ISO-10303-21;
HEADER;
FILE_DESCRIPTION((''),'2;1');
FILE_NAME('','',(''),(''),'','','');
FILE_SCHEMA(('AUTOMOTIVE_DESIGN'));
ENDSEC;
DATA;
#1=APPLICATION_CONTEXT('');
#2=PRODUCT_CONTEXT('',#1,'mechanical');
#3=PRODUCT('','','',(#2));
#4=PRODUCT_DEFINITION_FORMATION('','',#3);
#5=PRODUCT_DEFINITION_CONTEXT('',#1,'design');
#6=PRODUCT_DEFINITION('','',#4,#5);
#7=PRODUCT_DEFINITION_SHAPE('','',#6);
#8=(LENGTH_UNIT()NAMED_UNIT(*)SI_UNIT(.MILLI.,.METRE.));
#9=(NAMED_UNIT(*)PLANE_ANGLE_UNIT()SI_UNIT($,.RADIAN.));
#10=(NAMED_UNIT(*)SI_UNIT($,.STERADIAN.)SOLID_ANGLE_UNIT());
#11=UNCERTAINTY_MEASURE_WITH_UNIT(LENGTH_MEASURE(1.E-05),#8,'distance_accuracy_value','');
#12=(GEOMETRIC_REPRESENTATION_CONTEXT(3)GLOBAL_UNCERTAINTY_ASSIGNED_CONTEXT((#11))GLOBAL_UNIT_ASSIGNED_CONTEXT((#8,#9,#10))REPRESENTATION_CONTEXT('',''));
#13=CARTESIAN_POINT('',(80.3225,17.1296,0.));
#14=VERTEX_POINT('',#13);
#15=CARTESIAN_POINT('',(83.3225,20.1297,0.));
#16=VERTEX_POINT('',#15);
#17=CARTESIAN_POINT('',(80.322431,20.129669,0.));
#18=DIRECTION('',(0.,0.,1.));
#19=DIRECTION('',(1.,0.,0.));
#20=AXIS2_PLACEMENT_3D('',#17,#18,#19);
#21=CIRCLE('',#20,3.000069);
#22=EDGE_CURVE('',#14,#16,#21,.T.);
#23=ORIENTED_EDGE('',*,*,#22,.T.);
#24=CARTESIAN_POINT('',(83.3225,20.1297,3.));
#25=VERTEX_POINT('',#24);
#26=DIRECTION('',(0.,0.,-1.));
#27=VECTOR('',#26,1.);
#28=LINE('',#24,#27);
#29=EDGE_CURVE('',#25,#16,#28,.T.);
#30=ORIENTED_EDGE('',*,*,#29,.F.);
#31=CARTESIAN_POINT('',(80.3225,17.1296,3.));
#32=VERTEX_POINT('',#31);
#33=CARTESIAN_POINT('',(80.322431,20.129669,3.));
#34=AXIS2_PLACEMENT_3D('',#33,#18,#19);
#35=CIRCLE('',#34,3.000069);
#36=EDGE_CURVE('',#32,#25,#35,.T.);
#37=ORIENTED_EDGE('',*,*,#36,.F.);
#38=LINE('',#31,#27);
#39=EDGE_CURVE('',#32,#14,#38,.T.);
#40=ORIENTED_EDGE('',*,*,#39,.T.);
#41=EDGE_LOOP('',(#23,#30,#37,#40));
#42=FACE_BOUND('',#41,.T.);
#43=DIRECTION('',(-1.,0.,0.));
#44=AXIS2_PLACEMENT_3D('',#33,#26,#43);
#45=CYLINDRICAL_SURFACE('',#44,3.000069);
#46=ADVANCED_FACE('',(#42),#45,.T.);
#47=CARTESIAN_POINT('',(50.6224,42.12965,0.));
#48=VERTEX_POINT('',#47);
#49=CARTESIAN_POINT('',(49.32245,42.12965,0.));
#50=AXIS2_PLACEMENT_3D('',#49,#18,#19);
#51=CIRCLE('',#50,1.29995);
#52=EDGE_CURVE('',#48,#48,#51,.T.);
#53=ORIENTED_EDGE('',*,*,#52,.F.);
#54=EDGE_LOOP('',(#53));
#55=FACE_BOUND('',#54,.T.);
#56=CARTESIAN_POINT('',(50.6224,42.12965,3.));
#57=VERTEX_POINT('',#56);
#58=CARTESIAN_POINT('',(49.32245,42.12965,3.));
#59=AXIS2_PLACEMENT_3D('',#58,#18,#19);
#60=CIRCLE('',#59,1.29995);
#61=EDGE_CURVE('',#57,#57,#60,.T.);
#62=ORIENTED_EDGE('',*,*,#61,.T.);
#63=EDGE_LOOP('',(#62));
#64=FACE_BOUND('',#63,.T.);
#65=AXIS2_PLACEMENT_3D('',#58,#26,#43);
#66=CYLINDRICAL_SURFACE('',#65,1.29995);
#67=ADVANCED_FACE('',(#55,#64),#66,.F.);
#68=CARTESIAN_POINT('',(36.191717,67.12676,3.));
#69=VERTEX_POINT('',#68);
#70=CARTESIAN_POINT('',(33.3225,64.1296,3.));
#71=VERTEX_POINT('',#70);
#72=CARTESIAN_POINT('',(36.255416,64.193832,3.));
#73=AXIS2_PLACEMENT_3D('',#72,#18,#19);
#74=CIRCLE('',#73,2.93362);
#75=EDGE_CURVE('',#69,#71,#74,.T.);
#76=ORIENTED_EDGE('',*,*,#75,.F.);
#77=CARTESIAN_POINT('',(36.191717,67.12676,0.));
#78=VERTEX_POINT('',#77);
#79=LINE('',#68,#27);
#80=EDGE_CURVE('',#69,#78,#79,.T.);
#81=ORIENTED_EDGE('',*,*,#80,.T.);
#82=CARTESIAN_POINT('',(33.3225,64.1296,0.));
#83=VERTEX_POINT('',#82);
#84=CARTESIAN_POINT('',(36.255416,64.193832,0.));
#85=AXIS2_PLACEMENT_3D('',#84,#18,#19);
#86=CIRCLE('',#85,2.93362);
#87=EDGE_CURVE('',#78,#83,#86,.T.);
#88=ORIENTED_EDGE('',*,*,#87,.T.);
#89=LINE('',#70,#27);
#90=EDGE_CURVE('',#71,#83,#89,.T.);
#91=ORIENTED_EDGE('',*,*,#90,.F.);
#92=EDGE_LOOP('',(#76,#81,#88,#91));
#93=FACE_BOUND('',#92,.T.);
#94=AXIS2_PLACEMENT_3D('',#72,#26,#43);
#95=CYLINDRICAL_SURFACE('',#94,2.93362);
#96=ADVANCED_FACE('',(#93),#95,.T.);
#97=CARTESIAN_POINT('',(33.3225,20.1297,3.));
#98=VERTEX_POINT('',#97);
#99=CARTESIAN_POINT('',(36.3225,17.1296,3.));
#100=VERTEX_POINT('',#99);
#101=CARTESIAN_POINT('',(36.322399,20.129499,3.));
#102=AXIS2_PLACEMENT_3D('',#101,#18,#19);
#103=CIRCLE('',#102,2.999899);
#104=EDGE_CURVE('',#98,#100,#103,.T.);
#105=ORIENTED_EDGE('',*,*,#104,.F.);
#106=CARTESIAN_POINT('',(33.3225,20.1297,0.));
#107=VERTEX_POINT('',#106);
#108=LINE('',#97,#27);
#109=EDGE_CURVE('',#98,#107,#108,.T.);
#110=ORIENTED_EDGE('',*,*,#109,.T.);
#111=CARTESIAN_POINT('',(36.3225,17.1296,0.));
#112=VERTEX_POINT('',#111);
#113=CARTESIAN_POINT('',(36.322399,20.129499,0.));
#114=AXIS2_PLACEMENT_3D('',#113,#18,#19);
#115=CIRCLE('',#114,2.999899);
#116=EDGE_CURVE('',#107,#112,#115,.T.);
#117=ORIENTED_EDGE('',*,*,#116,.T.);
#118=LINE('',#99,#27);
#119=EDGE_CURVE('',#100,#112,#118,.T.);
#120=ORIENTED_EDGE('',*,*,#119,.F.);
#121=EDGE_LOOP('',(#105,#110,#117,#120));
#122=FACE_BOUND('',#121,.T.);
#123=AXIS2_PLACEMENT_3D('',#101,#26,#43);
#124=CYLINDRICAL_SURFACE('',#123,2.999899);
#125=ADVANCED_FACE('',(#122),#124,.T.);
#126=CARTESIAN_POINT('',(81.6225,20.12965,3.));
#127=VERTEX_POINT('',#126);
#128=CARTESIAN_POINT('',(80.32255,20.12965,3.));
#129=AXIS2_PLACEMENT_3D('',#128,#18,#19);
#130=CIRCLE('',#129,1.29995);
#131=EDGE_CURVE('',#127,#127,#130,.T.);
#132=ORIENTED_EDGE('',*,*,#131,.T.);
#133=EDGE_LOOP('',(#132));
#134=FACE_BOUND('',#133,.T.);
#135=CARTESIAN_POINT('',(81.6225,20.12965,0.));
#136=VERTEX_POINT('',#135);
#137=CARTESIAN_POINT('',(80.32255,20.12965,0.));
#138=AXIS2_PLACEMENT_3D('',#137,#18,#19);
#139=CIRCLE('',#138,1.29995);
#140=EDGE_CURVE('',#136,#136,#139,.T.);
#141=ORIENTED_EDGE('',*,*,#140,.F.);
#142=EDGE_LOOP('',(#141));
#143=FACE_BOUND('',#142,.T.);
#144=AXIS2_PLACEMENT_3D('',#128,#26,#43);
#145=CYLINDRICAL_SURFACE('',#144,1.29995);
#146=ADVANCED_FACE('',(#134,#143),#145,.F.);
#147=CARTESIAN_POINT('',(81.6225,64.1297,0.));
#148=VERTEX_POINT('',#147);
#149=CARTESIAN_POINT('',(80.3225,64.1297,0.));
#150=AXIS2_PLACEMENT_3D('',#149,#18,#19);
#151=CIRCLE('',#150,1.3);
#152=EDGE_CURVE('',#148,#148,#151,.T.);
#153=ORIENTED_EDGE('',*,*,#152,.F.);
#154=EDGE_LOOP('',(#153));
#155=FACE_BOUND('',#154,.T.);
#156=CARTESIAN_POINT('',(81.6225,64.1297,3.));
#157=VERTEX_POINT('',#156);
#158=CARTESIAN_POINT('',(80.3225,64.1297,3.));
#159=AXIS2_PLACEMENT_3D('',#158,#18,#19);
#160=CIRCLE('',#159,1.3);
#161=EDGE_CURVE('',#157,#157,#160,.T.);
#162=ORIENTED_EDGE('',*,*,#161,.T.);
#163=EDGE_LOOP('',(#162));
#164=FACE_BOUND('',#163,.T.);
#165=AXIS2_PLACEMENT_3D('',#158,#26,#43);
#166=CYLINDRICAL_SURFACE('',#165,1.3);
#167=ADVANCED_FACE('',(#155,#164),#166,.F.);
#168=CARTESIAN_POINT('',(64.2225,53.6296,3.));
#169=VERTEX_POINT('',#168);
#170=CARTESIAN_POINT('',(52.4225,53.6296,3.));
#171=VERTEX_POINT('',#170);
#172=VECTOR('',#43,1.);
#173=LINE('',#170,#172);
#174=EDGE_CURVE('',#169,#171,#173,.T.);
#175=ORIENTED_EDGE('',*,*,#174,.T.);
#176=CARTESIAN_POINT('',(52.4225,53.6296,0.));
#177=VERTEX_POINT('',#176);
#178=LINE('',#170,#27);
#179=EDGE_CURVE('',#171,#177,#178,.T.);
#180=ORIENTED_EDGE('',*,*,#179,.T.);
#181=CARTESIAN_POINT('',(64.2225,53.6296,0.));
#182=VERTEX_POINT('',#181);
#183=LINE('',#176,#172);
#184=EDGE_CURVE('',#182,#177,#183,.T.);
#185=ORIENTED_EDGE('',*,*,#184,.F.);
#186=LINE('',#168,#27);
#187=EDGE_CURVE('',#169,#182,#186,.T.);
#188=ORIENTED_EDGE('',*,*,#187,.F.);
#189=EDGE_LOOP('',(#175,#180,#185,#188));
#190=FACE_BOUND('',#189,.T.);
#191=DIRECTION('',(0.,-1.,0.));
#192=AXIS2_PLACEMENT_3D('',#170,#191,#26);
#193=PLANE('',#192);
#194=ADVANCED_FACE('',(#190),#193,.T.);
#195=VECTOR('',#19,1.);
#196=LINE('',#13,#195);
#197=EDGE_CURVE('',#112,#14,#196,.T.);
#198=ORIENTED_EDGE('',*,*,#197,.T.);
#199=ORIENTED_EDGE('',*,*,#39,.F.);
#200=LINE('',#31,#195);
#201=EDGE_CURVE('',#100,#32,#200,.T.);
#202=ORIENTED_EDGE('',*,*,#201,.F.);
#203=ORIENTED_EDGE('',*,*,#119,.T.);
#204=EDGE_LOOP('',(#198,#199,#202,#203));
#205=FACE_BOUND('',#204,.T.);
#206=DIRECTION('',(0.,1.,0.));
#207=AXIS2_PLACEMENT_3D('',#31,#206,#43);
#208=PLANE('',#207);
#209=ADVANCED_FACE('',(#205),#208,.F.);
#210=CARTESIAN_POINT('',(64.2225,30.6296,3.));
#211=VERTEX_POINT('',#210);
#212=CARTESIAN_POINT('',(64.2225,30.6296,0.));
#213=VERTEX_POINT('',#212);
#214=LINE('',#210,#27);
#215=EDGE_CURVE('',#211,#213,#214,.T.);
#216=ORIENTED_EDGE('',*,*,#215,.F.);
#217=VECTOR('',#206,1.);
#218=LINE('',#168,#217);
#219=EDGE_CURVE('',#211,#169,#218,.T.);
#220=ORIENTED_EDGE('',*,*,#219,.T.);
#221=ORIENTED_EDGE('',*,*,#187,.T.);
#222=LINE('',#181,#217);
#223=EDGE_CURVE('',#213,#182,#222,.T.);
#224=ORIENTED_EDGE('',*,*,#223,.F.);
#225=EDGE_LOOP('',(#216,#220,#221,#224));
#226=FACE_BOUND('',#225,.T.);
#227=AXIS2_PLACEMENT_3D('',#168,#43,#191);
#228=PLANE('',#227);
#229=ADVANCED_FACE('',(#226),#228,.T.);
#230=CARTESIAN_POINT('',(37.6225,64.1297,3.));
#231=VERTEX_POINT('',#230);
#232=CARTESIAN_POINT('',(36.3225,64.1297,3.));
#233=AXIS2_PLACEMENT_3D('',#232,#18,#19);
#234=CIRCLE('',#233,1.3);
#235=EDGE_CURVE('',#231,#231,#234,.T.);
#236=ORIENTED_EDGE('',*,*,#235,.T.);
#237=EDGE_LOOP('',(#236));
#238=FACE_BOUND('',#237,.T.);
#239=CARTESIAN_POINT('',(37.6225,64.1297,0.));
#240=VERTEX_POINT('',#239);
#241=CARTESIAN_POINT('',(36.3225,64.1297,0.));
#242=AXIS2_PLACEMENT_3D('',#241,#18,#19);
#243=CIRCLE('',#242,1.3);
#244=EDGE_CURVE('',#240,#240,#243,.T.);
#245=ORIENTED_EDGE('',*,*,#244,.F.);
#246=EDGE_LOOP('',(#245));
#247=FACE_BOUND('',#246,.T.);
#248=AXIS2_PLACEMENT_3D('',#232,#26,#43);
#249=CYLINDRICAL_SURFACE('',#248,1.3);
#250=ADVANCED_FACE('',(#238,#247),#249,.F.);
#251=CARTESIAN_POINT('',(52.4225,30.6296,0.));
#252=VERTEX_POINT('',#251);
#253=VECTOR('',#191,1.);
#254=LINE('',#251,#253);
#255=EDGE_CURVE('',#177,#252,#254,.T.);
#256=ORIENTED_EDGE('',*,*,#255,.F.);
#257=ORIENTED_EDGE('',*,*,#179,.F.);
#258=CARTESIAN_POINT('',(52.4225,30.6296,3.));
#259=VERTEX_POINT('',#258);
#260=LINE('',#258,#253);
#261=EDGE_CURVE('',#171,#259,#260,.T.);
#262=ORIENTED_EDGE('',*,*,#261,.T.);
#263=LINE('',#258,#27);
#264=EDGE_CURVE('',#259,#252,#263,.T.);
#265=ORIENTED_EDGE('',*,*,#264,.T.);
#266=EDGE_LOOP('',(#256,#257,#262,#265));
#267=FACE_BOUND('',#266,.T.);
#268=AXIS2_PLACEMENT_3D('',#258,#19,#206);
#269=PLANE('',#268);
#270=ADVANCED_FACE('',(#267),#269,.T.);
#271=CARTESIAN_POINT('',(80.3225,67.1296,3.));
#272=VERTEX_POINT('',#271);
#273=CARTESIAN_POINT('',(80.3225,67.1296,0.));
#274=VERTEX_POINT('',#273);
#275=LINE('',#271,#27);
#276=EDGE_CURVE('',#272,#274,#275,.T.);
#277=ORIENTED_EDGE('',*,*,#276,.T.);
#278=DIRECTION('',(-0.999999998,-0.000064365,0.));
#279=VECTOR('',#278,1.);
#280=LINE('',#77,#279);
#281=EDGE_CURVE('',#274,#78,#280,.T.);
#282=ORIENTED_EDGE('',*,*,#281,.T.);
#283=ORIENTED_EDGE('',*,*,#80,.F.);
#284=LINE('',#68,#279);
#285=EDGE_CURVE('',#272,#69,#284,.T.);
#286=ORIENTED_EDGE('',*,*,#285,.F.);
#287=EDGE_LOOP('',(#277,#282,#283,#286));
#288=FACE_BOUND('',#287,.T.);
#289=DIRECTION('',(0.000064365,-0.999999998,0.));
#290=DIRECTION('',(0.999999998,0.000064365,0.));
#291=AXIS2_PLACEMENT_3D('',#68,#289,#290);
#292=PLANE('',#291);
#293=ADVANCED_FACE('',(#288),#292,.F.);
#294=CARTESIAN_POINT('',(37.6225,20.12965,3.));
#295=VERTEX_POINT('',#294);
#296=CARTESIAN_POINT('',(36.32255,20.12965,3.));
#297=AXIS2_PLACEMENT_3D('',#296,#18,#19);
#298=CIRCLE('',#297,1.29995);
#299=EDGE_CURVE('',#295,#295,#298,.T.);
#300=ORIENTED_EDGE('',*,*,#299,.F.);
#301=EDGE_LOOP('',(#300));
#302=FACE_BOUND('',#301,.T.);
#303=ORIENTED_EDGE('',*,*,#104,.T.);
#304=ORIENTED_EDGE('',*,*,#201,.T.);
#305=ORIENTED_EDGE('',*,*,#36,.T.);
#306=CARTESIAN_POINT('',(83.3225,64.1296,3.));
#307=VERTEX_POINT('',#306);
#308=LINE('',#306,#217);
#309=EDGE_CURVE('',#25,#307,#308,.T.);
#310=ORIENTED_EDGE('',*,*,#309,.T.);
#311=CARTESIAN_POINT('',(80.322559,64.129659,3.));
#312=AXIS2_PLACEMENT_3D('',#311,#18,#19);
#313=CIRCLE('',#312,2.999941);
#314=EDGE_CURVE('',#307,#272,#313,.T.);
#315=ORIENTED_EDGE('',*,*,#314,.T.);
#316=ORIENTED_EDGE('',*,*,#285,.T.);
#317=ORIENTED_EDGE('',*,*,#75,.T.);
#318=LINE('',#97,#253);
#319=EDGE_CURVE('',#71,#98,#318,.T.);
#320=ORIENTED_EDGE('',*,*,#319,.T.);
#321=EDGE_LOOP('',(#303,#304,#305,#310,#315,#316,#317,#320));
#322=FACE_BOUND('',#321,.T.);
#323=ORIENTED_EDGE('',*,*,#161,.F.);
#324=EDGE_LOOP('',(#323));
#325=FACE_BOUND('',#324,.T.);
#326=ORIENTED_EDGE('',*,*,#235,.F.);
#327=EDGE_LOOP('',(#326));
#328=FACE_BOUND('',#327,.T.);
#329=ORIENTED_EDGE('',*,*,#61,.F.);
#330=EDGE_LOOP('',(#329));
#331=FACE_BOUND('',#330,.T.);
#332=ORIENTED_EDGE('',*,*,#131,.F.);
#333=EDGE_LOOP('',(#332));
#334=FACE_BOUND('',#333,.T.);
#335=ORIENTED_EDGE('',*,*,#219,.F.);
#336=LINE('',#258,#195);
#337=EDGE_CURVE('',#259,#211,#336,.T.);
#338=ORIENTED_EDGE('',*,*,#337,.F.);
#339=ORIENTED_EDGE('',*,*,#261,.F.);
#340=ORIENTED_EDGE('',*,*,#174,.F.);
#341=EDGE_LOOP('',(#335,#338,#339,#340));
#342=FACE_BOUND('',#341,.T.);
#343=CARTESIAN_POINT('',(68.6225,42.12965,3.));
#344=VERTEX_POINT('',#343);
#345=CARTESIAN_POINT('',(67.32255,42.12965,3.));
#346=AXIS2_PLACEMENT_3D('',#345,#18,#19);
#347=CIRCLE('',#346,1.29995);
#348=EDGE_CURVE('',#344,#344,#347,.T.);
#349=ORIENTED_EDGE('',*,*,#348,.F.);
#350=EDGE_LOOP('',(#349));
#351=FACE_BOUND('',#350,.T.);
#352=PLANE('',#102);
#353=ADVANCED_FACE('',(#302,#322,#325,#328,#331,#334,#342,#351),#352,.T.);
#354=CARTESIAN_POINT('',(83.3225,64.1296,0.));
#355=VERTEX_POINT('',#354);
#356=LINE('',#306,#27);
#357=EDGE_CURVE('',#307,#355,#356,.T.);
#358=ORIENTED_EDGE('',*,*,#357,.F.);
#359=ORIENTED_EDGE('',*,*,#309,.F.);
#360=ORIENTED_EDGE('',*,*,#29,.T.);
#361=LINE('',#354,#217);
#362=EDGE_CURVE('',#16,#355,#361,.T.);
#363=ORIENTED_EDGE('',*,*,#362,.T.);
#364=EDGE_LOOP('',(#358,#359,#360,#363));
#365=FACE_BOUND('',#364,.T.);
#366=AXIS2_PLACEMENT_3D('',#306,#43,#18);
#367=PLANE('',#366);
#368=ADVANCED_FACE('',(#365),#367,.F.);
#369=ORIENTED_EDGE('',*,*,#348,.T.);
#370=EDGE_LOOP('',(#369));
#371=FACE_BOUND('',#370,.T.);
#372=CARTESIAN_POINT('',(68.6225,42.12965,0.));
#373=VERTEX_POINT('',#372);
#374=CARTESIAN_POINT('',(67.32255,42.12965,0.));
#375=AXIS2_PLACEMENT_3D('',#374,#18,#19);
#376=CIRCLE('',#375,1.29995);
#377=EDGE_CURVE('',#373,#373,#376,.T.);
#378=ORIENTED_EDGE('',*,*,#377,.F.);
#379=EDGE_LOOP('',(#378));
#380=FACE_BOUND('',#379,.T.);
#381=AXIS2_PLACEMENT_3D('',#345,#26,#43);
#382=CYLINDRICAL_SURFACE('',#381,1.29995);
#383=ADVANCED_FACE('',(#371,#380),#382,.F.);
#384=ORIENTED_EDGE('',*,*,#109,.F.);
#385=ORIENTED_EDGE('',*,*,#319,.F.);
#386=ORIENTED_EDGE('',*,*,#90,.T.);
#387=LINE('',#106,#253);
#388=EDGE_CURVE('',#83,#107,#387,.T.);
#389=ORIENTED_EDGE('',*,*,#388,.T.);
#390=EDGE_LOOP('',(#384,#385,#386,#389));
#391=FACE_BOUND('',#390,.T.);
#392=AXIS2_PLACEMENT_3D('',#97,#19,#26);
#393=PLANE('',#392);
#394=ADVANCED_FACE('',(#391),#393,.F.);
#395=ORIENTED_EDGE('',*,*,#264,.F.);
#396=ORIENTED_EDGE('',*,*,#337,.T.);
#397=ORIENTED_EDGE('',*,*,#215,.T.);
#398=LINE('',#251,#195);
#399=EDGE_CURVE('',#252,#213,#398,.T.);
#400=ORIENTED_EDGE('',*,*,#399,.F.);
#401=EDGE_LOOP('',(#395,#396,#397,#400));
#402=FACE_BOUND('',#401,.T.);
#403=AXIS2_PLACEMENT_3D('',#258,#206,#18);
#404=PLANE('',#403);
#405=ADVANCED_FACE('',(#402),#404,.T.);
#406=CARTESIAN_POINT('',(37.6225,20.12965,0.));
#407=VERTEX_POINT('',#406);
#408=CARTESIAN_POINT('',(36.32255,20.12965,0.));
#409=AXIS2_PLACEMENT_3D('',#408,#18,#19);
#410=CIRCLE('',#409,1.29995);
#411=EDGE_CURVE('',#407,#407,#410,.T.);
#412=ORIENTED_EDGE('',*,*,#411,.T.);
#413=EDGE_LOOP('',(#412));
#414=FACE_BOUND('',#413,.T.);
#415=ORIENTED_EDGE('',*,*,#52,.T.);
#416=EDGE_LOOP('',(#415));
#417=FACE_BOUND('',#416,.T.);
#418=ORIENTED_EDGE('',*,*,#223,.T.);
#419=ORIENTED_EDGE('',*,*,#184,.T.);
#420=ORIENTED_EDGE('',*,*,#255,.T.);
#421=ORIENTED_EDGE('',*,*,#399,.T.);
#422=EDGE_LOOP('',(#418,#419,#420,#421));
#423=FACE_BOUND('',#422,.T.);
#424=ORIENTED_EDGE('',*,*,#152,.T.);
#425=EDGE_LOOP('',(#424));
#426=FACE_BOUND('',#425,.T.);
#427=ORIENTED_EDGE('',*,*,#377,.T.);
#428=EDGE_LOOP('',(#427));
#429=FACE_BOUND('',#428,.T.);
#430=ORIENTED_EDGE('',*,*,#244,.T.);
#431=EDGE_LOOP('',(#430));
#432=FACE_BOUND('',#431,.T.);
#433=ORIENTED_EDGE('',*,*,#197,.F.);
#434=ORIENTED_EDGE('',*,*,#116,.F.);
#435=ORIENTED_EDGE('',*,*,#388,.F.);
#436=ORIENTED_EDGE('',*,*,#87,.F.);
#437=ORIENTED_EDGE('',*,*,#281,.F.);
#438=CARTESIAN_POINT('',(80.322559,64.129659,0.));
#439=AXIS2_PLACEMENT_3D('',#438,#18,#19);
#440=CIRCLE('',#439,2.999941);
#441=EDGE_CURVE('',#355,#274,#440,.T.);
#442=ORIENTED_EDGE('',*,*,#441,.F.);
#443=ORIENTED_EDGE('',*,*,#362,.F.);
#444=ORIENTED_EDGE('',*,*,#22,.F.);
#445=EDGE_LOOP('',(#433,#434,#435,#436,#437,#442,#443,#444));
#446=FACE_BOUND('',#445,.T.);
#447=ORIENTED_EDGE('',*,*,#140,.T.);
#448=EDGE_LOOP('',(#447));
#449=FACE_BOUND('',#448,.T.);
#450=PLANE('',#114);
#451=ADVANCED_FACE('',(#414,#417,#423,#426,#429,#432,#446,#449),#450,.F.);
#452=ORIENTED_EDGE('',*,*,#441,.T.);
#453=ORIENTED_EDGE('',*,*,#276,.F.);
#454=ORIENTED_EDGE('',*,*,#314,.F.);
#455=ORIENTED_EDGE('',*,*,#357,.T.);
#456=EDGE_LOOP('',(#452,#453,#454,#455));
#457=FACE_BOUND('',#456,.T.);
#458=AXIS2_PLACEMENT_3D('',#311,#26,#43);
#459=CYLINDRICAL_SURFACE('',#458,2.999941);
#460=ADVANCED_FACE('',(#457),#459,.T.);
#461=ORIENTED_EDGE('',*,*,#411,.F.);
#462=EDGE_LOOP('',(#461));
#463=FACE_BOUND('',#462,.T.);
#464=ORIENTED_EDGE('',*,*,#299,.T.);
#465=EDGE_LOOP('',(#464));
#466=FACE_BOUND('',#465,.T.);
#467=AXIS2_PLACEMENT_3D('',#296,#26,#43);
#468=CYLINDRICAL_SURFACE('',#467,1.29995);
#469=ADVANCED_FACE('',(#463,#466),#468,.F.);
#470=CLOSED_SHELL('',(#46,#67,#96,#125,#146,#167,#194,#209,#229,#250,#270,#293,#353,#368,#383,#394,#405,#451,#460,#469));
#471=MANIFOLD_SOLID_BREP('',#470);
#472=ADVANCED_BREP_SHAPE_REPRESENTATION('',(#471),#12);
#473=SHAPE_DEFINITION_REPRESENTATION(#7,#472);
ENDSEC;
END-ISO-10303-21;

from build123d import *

# Parameters (mm, degrees)
MODEL_R             = 1.300000002
MODEL_R_2           = 1.299950005
MODEL_R_3           = 1.299950001
MODEL_W             = 11.8
MODEL_H             = 23
BOSS_EXTRUDE1_DEPTH = 3


with BuildPart() as part:
    # Model → Boss-Extrude1 (new body)
    with BuildSketch(Plane.XY):
        with BuildLine():
            Line((33.3225, 20.129700001), (33.3225, 64.129600001))
            ThreePointArc((33.3225, 64.129600001), (34.136296645, 66.222490163), (36.19171658, 67.126759536))
            Line((36.19171658, 67.126759536), (80.3225, 67.129600001))
            ThreePointArc((80.3225, 67.129600001), (82.4438375, 66.250937501), (83.3225, 64.129600001))
            Line((83.3225, 64.129600001), (83.3225, 20.129700001))
            ThreePointArc((83.3225, 20.129700001), (82.443835355, 18.008335356), (80.3225, 17.129600001))
            Line((80.3225, 17.129600001), (36.3225, 17.129600001))
            ThreePointArc((36.3225, 17.129600001), (34.201114643, 18.008285356), (33.3225, 20.129700001))
        make_face()
        with Locations((36.322500002, 64.129699999)):
            Circle(MODEL_R, mode=Mode.SUBTRACT)
        with Locations((80.322500002, 64.129699999)):
            Circle(MODEL_R, mode=Mode.SUBTRACT)
        with Locations((67.322549996, 42.129649997)):
            Circle(MODEL_R_2, mode=Mode.SUBTRACT)
        with Locations((49.32245, 42.129650001)):
            Circle(MODEL_R_3, mode=Mode.SUBTRACT)
        with Locations((36.322549996, 20.129649997)):
            Circle(MODEL_R_2, mode=Mode.SUBTRACT)
        with Locations((80.322549996, 20.129649997)):
            Circle(MODEL_R_2, mode=Mode.SUBTRACT)
        with Locations((58.3225, 42.129600001)):
            Rectangle(MODEL_W, MODEL_H, mode=Mode.SUBTRACT)
    extrude(amount=BOSS_EXTRUDE1_DEPTH)


solid = part.part
